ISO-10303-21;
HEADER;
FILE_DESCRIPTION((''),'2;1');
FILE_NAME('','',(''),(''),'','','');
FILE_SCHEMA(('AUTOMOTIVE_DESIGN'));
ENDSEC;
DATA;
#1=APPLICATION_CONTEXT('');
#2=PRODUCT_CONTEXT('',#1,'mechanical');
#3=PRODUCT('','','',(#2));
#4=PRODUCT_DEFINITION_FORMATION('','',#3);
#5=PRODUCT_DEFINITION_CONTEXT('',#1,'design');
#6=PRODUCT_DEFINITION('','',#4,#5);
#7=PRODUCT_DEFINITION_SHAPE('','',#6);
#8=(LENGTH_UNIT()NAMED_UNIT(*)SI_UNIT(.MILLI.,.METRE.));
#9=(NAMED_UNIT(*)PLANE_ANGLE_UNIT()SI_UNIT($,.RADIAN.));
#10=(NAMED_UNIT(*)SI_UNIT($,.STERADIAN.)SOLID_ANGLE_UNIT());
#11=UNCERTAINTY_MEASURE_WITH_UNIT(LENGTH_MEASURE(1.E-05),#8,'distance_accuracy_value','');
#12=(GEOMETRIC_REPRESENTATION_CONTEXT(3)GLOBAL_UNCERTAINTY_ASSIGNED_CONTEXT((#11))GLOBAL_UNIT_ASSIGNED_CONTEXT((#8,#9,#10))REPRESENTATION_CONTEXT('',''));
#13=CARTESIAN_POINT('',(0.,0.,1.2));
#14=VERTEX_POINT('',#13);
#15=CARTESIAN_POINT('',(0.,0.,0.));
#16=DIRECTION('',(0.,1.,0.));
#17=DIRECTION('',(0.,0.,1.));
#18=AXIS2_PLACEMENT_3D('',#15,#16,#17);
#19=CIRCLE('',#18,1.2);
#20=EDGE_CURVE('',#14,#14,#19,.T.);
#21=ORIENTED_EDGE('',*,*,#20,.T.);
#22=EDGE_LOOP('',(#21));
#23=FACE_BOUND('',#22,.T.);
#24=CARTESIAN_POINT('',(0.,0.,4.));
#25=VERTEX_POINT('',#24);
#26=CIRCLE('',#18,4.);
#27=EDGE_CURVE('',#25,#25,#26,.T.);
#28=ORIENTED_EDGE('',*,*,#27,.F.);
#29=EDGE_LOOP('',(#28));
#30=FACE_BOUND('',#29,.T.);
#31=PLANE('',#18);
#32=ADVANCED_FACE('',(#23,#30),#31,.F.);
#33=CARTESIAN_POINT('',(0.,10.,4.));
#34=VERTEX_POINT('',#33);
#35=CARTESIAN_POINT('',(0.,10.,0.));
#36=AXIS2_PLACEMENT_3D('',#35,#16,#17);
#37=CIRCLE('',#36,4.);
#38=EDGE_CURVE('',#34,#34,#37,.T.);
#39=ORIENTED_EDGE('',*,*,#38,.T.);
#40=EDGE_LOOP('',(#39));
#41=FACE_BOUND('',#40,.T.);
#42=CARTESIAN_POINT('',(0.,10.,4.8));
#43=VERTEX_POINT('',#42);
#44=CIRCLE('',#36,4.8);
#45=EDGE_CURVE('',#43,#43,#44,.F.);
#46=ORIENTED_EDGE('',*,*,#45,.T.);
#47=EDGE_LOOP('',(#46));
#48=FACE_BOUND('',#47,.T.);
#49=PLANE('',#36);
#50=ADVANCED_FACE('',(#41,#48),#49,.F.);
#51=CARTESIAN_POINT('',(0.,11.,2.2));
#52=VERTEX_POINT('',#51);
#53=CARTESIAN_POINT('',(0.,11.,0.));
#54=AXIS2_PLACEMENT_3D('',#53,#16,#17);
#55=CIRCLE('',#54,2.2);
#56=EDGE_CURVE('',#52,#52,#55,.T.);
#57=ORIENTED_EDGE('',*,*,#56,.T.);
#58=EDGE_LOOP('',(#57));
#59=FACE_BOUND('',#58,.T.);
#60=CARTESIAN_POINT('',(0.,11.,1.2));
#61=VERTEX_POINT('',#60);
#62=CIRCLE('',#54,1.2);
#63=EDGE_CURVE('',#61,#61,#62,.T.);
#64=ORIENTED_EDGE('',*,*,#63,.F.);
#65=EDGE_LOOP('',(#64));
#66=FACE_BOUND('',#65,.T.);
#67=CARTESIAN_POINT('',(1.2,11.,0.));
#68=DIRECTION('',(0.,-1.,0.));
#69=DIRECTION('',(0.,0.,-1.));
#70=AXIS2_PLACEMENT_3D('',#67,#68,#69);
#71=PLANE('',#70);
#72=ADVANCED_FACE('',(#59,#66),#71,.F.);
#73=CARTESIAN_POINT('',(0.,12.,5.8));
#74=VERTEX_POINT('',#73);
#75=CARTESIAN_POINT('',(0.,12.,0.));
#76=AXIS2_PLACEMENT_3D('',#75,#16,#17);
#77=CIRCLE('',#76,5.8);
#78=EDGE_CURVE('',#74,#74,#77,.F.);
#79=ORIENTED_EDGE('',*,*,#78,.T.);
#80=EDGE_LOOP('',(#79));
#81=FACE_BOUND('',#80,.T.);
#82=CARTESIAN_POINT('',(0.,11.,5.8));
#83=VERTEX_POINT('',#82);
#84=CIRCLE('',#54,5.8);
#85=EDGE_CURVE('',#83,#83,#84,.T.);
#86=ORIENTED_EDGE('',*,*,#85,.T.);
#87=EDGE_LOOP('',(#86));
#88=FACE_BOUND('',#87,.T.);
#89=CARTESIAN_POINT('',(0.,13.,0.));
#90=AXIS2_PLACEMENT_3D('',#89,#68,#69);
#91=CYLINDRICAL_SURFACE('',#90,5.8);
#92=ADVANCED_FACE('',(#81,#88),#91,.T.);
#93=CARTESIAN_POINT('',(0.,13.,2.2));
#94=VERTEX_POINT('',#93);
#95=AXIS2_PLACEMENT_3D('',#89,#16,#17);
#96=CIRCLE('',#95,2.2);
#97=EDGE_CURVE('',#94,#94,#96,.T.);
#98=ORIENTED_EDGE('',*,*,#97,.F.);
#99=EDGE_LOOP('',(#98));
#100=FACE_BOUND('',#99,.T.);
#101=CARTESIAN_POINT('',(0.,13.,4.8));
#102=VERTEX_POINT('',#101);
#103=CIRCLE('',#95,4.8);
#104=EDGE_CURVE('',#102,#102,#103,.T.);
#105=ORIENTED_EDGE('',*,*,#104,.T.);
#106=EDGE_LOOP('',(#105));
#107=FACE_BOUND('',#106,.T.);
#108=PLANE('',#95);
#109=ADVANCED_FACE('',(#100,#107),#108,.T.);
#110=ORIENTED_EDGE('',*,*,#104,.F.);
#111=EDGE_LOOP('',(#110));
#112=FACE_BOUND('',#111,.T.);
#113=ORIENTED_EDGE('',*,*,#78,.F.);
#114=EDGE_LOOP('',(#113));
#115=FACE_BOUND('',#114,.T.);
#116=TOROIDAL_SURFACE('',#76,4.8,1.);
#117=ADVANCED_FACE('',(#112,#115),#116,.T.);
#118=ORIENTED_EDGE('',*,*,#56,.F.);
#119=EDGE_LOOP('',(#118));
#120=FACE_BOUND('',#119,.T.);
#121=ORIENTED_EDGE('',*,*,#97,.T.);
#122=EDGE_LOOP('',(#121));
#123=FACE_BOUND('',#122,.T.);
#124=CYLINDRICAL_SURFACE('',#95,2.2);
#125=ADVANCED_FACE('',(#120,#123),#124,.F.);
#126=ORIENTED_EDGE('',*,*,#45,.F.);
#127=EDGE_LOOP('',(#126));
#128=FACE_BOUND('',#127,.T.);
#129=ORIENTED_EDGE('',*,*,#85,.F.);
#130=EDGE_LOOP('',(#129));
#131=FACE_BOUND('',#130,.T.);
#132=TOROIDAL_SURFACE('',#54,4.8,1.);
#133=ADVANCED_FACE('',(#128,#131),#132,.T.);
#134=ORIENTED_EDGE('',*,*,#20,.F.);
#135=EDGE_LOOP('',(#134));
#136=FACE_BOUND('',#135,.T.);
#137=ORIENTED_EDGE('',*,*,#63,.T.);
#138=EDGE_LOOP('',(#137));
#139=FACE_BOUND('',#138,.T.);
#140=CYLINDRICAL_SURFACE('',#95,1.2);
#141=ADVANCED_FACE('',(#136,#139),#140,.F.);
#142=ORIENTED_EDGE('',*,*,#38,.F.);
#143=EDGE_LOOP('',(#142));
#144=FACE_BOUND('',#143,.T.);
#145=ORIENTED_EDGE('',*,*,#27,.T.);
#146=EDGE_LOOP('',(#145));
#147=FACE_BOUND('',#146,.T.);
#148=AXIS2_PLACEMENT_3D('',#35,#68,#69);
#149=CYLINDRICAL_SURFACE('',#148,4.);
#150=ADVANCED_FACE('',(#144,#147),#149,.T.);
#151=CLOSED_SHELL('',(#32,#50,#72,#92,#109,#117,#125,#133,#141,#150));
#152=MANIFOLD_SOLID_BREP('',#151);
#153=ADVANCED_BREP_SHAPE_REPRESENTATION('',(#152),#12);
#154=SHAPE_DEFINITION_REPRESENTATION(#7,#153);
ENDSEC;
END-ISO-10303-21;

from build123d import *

# Parameters (mm, degrees)
SKETCH_1_R      = 4
EXTRUDE_1_DEPTH = 10
SKETCH_2_R      = 5.8
EXTRUDE_2_DEPTH = 3
FILLET_1_R      = 1


with BuildPart() as part:
    # 草图1 → 凸台-拉伸1 (new body)
    with BuildSketch(Plane(origin=(0, 0, 0), x_dir=(1, 0, 0), z_dir=(0, 1, 0))):
        with Locations(Location((0, 0, 0), (0, 0, 270))):
            Circle(SKETCH_1_R)
    extrude(amount=EXTRUDE_1_DEPTH)

    # 草图2 → 凸台-拉伸2 (add)
    with BuildSketch(Plane(origin=(0, 10, 0), x_dir=(1, 0, 0), z_dir=(0, 1, 0))):
        with Locations(Location((0, 0, 0), (0, 0, 270))):
            Circle(SKETCH_2_R)
    extrude(amount=EXTRUDE_2_DEPTH)

    # 草图4 → M2 凹头盖螺钉的柱形沉头孔1 (revolve, cut)
    with BuildSketch(Plane(origin=(0, 13, 0), x_dir=(0, 0, 1), z_dir=(1, 0, 0))):
        Polygon((0, 0), (0, 13), (1.2, 13), (1.2, 2), (2.2, 2), (2.2, 0), align=None)
    revolve(axis=Axis((0, 19.35, 0), (0, -1, 0)), mode=Mode.SUBTRACT)

    # 圆角1
    fillet_1_edges = [part.edges().sort_by_distance(p)[0] for p in [
        (0, 10, -5.8),
        (0, 13, -5.8),
    ]]
    fillet(fillet_1_edges, radius=FILLET_1_R)


solid = part.part
